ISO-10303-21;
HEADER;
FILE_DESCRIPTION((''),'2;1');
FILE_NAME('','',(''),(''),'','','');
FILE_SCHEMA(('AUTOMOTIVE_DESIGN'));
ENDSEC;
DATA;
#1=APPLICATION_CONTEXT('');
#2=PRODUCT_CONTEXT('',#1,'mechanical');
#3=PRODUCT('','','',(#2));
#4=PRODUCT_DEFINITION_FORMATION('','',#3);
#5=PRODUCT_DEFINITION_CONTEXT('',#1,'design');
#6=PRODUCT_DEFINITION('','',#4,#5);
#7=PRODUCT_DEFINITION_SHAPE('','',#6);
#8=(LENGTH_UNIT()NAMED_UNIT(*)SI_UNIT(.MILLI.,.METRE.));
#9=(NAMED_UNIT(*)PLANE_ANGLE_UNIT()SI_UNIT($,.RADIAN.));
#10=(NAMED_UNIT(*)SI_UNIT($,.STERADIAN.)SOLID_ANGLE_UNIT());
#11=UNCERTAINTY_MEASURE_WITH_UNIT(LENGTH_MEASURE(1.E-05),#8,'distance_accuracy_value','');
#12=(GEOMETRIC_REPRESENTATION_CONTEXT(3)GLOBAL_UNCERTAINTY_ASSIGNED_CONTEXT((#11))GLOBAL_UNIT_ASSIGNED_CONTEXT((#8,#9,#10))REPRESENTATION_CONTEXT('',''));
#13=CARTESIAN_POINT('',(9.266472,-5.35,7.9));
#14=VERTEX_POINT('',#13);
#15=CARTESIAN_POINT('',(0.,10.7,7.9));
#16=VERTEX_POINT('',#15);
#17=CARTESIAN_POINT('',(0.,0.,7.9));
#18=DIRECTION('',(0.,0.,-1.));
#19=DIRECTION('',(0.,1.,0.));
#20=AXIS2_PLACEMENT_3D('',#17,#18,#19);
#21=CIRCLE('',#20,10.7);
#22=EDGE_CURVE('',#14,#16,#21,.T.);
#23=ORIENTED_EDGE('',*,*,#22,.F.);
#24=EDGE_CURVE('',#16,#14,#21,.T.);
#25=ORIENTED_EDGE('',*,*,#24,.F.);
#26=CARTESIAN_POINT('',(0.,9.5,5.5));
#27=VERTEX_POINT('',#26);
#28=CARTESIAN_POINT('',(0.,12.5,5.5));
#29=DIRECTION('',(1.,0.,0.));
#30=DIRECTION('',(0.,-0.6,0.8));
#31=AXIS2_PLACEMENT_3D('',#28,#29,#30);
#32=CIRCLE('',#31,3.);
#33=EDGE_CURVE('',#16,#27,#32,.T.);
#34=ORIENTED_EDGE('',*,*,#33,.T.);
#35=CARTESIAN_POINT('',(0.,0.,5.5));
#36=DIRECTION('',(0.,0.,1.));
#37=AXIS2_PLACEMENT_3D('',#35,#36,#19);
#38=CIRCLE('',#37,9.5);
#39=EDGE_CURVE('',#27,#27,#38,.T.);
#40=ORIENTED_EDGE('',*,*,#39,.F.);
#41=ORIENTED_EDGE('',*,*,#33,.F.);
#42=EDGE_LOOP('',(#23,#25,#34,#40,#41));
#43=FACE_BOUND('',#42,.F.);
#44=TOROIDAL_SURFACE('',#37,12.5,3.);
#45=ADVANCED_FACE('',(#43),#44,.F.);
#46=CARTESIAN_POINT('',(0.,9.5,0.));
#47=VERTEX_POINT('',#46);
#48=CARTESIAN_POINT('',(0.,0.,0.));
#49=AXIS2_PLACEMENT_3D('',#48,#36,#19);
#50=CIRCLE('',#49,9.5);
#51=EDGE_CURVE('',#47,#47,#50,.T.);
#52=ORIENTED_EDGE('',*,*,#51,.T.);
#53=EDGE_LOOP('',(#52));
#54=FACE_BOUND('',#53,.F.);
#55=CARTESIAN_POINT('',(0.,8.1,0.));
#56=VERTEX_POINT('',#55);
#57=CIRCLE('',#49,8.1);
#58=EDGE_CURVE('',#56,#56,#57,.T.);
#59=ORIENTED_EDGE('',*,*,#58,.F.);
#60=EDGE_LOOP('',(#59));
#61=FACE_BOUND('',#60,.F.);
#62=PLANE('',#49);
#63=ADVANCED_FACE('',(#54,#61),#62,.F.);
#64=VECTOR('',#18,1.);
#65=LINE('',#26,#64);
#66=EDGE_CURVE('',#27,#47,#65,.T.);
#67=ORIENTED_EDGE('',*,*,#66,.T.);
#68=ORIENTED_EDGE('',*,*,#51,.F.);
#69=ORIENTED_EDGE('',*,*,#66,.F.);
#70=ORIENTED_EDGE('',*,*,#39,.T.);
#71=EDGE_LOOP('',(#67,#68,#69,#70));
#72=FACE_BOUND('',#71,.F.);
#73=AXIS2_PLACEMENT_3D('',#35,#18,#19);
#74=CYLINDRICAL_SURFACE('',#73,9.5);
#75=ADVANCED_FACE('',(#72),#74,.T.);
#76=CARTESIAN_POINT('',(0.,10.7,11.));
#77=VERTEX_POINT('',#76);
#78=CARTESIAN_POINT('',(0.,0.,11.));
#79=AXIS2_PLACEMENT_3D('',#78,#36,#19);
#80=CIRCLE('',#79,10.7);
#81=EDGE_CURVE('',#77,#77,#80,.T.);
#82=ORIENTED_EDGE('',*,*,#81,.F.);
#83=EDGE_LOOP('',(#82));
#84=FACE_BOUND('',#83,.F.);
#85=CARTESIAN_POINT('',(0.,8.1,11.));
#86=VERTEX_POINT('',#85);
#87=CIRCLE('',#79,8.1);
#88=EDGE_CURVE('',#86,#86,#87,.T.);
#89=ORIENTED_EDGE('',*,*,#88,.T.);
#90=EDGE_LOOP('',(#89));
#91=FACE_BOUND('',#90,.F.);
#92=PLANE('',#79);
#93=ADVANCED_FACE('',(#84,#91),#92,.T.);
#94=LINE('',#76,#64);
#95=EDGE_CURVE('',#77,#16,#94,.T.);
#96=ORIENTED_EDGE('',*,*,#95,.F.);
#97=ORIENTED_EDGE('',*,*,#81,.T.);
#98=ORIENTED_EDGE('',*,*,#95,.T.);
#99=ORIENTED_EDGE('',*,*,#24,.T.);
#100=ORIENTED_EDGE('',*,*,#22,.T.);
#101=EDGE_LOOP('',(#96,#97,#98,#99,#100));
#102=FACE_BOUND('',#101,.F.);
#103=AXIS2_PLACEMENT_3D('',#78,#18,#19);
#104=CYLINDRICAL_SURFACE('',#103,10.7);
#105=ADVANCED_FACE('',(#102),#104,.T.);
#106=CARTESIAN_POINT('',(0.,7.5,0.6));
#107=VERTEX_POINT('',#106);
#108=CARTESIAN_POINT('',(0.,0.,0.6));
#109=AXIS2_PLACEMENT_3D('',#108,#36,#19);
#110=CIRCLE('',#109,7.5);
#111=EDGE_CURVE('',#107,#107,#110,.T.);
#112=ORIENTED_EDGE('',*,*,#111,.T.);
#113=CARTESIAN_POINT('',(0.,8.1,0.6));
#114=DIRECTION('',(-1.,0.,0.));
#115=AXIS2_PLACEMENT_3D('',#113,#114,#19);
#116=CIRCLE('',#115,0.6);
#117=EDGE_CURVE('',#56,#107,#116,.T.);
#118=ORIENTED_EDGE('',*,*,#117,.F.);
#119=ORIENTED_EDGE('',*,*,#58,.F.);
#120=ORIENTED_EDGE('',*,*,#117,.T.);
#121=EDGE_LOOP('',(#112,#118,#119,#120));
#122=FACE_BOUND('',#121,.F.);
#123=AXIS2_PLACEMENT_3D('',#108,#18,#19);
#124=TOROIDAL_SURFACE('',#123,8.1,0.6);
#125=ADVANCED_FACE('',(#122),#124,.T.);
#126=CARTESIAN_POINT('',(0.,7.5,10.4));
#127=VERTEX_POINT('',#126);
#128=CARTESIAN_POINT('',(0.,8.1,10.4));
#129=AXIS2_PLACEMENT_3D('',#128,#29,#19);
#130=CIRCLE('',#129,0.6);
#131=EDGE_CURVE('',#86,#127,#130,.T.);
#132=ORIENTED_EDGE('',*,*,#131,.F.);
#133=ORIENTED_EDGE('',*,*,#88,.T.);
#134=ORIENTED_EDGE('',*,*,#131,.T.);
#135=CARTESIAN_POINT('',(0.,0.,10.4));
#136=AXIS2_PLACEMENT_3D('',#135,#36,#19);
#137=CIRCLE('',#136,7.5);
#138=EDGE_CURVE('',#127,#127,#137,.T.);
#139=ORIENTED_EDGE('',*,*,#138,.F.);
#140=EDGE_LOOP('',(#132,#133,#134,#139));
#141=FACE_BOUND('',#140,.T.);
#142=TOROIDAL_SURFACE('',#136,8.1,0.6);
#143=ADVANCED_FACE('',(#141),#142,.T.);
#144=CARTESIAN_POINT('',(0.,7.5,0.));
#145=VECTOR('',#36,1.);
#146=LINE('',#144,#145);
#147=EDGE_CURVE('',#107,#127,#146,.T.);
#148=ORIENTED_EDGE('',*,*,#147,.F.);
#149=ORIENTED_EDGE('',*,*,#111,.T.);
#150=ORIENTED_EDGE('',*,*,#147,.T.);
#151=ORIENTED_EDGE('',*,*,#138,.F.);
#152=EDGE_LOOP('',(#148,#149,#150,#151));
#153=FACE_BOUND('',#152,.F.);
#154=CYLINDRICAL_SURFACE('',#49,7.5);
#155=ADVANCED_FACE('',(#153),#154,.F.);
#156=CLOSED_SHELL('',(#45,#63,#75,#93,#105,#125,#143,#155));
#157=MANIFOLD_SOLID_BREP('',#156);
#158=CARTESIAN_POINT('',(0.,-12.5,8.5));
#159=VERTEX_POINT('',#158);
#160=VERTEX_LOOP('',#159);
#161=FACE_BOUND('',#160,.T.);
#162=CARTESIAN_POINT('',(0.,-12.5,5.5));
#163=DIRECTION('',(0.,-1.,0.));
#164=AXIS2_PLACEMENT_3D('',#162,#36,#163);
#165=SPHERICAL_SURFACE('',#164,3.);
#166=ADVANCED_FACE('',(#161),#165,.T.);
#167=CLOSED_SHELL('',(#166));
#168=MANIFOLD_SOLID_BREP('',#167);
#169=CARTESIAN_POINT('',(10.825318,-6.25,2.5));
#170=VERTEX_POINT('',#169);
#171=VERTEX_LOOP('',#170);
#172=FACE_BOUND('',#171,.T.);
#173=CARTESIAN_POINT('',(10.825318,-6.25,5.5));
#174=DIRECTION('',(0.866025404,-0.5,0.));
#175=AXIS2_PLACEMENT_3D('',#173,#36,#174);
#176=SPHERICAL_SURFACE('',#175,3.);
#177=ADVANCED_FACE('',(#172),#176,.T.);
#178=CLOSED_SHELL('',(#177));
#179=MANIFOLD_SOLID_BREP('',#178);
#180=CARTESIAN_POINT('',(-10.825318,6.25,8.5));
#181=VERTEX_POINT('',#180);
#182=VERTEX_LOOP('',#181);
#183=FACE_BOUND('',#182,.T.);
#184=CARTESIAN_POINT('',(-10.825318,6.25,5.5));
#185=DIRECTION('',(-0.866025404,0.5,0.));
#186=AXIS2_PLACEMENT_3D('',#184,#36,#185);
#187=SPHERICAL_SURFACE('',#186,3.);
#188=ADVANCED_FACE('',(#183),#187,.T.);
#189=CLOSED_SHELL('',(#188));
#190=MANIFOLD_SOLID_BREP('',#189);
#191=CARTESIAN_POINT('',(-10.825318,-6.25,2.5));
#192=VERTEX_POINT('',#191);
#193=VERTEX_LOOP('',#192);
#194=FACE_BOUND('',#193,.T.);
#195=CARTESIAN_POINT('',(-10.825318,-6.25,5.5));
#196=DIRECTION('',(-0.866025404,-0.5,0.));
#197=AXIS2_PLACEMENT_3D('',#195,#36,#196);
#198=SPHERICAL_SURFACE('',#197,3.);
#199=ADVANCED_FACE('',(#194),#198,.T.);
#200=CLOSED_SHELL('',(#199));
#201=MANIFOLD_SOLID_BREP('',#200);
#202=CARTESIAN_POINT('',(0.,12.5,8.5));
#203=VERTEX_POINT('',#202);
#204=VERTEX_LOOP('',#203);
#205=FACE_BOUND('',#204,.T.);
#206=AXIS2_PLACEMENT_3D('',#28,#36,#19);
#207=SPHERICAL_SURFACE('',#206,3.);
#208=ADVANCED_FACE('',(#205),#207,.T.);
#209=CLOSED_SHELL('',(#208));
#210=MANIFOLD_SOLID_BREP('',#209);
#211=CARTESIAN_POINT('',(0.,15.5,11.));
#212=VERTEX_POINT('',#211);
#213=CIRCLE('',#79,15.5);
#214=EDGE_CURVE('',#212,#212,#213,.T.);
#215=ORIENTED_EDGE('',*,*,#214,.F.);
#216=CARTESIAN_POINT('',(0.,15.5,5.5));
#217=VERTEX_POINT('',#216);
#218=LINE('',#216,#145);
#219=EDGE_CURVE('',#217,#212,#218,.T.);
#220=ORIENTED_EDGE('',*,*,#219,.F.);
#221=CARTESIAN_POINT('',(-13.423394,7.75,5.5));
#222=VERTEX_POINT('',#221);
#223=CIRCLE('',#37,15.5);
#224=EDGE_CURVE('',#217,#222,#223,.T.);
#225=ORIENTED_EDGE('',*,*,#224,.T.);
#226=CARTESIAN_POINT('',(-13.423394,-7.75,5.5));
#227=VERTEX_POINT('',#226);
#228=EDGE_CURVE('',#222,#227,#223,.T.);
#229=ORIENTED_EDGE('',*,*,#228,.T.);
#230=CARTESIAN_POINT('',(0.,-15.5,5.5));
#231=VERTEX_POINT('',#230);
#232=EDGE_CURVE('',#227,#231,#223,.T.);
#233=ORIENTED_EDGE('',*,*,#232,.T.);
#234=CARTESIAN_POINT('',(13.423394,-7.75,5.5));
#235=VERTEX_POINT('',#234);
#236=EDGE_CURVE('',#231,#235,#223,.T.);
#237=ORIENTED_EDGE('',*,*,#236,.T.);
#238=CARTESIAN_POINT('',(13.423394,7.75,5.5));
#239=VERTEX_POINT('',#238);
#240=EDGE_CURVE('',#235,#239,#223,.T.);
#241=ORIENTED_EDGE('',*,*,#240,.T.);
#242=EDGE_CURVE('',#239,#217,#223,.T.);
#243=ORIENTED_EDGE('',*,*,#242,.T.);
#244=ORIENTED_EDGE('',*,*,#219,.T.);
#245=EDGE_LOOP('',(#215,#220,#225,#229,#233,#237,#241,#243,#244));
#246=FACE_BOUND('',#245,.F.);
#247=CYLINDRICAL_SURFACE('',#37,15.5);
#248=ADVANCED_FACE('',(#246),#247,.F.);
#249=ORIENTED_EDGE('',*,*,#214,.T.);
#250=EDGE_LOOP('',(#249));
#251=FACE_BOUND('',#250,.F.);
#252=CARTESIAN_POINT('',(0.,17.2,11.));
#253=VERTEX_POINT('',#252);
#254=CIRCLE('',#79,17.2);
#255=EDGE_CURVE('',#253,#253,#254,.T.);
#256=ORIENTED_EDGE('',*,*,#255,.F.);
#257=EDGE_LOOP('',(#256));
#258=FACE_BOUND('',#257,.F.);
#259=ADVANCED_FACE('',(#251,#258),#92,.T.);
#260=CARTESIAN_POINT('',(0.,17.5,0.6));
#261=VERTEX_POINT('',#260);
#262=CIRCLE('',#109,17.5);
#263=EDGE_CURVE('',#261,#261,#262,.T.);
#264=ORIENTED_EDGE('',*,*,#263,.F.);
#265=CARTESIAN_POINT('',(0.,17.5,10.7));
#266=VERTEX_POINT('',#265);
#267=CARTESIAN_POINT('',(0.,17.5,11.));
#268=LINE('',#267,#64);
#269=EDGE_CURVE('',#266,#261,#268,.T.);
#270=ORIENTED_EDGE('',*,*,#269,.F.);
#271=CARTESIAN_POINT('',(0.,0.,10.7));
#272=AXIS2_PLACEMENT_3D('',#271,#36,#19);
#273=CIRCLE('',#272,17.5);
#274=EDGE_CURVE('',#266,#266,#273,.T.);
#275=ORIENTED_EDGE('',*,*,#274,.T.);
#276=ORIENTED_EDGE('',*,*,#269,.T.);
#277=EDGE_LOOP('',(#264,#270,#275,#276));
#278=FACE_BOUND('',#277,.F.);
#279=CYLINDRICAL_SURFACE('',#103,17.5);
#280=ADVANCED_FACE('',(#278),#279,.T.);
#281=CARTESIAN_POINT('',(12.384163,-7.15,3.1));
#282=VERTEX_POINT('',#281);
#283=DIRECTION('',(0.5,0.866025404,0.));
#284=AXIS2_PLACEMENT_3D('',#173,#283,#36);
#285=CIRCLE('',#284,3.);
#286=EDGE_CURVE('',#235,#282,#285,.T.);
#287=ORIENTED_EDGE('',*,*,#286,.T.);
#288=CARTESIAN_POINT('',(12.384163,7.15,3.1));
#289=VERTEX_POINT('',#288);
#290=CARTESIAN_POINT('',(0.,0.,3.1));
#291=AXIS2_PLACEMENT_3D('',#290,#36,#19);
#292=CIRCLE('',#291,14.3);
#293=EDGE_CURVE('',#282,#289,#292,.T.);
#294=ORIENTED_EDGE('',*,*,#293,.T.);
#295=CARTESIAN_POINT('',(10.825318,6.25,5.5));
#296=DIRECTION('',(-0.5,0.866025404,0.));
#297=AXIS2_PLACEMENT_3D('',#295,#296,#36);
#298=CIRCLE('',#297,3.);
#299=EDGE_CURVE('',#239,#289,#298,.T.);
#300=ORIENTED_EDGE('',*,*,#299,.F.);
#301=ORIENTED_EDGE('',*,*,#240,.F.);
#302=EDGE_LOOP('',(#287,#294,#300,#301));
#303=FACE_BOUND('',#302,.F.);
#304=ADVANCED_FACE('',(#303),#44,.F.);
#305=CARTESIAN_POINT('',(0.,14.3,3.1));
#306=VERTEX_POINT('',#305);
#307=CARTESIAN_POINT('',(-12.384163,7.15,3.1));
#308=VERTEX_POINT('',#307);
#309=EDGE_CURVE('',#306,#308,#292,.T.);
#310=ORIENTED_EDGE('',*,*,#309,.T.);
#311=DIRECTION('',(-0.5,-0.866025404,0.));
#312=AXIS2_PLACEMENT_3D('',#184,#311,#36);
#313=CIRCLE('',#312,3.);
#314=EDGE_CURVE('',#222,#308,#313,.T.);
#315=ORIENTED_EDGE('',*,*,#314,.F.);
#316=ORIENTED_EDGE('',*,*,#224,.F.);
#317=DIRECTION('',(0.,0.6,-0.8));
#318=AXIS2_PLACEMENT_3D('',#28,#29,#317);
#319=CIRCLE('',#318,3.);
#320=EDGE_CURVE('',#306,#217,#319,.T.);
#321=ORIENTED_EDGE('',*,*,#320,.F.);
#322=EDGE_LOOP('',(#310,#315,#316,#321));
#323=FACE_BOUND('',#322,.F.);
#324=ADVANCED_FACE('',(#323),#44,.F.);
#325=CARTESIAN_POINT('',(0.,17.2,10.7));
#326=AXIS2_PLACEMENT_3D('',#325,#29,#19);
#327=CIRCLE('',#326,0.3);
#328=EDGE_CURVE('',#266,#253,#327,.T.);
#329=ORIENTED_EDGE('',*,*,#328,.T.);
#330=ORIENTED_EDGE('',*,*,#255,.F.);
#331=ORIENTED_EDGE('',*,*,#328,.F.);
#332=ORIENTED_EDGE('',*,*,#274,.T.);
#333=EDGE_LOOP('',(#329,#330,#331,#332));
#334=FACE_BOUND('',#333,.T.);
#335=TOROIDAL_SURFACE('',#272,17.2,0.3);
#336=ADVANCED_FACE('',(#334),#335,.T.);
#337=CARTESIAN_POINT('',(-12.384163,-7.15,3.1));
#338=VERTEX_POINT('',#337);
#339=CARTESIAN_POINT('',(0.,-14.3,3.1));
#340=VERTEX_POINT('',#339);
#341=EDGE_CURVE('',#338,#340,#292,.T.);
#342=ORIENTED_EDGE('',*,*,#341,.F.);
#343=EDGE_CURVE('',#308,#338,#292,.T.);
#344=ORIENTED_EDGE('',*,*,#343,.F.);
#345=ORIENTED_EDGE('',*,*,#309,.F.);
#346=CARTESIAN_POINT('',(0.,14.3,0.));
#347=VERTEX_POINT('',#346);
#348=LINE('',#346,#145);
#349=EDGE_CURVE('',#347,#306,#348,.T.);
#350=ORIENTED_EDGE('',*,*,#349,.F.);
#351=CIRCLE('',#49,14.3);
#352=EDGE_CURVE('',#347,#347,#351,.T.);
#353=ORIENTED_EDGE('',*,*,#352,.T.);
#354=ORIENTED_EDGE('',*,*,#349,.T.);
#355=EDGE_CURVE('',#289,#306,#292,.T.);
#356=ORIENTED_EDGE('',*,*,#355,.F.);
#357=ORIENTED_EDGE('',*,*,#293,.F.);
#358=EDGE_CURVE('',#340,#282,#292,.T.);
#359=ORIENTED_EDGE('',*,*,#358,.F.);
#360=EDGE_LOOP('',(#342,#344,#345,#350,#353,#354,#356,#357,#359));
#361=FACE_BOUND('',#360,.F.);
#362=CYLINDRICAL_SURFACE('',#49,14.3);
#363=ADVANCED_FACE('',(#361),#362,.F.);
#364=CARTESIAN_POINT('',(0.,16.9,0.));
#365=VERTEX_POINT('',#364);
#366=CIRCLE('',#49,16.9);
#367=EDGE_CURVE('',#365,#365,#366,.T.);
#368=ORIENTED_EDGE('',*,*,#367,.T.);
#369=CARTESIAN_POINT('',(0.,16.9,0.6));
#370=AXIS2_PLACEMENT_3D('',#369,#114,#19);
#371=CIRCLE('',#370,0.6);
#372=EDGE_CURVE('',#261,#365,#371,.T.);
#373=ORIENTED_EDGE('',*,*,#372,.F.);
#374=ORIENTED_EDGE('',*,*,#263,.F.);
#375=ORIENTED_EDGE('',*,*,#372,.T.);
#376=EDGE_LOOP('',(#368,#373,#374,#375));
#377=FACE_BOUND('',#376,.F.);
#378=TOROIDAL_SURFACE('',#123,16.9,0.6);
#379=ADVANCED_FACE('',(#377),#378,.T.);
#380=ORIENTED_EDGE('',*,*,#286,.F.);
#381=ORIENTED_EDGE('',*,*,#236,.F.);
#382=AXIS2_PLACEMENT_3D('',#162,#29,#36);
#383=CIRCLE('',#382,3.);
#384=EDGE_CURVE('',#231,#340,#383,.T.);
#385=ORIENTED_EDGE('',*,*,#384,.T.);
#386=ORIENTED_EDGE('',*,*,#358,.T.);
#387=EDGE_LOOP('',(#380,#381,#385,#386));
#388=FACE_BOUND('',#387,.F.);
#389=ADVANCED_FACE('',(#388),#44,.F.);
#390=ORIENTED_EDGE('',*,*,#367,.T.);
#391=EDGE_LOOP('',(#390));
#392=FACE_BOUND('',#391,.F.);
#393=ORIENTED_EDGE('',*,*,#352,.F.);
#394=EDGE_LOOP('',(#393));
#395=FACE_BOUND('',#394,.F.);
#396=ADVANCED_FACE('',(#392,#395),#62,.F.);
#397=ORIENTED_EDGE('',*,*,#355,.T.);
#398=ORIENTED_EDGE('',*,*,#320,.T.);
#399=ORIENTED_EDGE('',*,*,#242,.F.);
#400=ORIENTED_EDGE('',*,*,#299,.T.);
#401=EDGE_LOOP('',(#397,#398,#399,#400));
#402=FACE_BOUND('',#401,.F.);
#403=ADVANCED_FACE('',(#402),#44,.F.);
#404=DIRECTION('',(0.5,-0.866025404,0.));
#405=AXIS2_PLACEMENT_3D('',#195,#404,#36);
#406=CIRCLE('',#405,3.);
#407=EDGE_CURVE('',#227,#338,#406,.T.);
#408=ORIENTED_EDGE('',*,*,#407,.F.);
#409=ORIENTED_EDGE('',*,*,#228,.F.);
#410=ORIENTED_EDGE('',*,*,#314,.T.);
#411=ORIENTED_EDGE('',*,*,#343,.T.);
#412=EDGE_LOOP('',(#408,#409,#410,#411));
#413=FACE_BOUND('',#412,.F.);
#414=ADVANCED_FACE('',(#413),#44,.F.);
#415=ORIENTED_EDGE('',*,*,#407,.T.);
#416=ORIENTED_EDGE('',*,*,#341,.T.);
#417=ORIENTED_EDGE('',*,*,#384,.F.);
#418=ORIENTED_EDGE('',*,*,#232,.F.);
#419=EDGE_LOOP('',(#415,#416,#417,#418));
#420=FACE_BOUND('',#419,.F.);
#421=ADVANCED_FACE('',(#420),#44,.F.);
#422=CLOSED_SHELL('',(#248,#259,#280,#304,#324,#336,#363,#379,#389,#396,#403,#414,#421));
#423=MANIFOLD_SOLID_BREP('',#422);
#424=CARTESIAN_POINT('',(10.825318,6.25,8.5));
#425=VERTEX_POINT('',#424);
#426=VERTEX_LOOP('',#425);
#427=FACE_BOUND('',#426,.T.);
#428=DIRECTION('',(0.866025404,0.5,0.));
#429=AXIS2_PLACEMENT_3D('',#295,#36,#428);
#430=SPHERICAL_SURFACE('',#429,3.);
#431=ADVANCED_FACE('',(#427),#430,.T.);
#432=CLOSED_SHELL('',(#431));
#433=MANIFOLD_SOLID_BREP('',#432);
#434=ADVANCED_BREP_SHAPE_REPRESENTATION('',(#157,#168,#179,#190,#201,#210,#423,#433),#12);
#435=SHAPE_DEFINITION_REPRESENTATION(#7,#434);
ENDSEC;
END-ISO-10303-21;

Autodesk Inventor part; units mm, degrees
ref_plane "WorkPlane1" through (0, 0, 0) normal (0, 0, 1) x (1, 0, 0)
ref_plane "Work Plane2" through (0, 0, -11) normal (0, 0, 1) x (1, 0, 0)
ref_plane "WorkPlane2" through (0, 0, 14) normal (0, 0, 1) x (1, 0, 0)
sketch "Schizzo1" plane through (0, 0, 0) normal (-1, 0, 0) x (0, -1, 0)
  point P0 (0, 0)
sketch "Schizzo2" plane through (0, 0, 0) normal (0, 0, 1) x (1, 0, 0)
  point P0 (0, 0)
sketch "Schizzo3" plane through (0, 0, 14) normal (0, 0, 1) x (1, 0, 0)
  point P0 (0, 0)
sketch "Schizzo4" plane through (0, 0, 0) normal (1, 0, 0) x (0, 1, 0)
  line L0 (17.5, 0) -> (7.5, 0)
  line L1 (17.5, 11) -> (17.5, 0)
  line L2 (7.5, 11) -> (17.5, 11)
  line L3 (7.5, 0) -> (7.5, 11)
  line L4 (0, -3.737) -> (0, 15.9311) construction
  line L5 (0, -3.737) -> (0, 15.9311)
  line L6 (0, -7.6706) -> (0, 19.8647) projected
  line L7 (-4.7, 0) -> (28.2, 0) projected
  dimension "d2" = 7.5
  dimension "d4" = 17.5
  dimension "d6" = 11
revolve "Rivoluzione1" add sketch "Schizzo4" angle 360 about axis through (0, 0, -3.737) along (0, 0, 1)
sketch "Schizzo5" plane through (0, 0, 0) normal (1, 0, 0) x (0, 1, 0)
  line L0 (15.5, 11) -> (10.7, 11)
  line L1 (15.5, 5.5) -> (15.5, 11)
  arc A0 (14.3, 3.1) -> (15.5, 5.5) centre (12.5, 5.5) ccw
  line L2 (14.3, 0) -> (14.3, 3.1)
  line L3 (9.5, 0) -> (14.3, 0)
  line L4 (9.5, 5.5) -> (9.5, 0)
  arc A1 (10.7, 7.9) -> (9.5, 5.5) centre (12.5, 5.5) ccw
  line L5 (10.7, 11) -> (10.7, 7.9)
  circle A2 centre (12.5, 5.5) radius 3 construction
  line L6 (17.5, 0) -> (-17.5, 0) construction
  line L7 (17.5, 11) -> (-17.5, 11) construction
  line L8 (0, 40.9632) -> (0, -26.9632)
  line L9 (0, -40.5485) -> (0, 54.5485) projected
  dimension "d9" = 5.5
  dimension "d11" = 6
  dimension "d21" = 25
  dimension "d22" = 21.4
  dimension "d23" = 28.6
revolve "Rivoluzione2" cut sketch "Schizzo5" angle 360 about axis through (0, 0, 40.9632) along (0, 0, 1)
sketch "Schizzo6" plane through (0, 0, 0) normal (1, 0, 0) x (0, 1, 0)
  line L0 (12.5, 2.5) -> (12.5, 8.5)
  arc A0 (12.5, 2.5) -> (12.5, 8.5) centre (12.5, 5.5) ccw
  line L1 (12.5, 13.6754) -> (12.5, -2.5126) construction
  line L2 (17.5, 0) -> (-17.5, 0) construction
  line L3 (12.5, 13.6754) -> (12.5, -2.5126)
  arc A1 (10.7, 7.9) -> (9.5, 5.5) centre (12.5, 5.5) ccw projected
  line L4 (15.5, 5.5) -> (-15.5, 5.5) projected
  dimension "d14" = 3
revolve "Rivoluzione3" add sketch "Schizzo6" angle 360 about axis through (0, 12.5, 13.6754) along (0, 0, 1)
pattern_circular "Seriepolare1" count 6 over 360 about axis through (0, 0, 0) along (0, 0, 1) of "Rivoluzione3"
fillet "Raccordo1" radius 0.3 1 edges at (0, -17.5, 11)
fillet "Raccordo2" radius 0.6 3 edges at (0, -17.5, 0) (0, -7.5, 11) (0, -7.5, 0)
equation "\"d19\" = r1"
equation "\"d20\" = r"
equation "\"d2\" = 0.5 * Diam"
equation "\"d4\" = 0.5 * DD"
equation "\"d6\" = B"
equation "\"d9\" = 0.5 * B"
equation "\"d11\" = msp_mdtdk"
equation "\"d21\" = msp_mdtds"
equation "\"d22\" = msp_md"
equation "\"d23\" = msp_vd"
equation "\"d14\" = 0.5 * msp_mdtdk"
equation "\"Diam\" = 15"
equation "\"DD\" = 35"
equation "\"B\" = 11"
equation "\"r\" = 0.6"
equation "\"msp_mdtdk\" = -0.3 * Diam + 0.3 * DD"
equation "\"msp_mdtds\" = 0.5 * DD + 0.5 * Diam"
equation "\"msp_md\" = msp_mdtds - 0.6 * msp_mdtdk"
equation "\"msp_vd\" = msp_mdtds + 0.6 * msp_mdtdk"
equation "\"r1\" = 0.3"
properties part number "SKF B7202 BE" material "Acciaio, Dolce"
